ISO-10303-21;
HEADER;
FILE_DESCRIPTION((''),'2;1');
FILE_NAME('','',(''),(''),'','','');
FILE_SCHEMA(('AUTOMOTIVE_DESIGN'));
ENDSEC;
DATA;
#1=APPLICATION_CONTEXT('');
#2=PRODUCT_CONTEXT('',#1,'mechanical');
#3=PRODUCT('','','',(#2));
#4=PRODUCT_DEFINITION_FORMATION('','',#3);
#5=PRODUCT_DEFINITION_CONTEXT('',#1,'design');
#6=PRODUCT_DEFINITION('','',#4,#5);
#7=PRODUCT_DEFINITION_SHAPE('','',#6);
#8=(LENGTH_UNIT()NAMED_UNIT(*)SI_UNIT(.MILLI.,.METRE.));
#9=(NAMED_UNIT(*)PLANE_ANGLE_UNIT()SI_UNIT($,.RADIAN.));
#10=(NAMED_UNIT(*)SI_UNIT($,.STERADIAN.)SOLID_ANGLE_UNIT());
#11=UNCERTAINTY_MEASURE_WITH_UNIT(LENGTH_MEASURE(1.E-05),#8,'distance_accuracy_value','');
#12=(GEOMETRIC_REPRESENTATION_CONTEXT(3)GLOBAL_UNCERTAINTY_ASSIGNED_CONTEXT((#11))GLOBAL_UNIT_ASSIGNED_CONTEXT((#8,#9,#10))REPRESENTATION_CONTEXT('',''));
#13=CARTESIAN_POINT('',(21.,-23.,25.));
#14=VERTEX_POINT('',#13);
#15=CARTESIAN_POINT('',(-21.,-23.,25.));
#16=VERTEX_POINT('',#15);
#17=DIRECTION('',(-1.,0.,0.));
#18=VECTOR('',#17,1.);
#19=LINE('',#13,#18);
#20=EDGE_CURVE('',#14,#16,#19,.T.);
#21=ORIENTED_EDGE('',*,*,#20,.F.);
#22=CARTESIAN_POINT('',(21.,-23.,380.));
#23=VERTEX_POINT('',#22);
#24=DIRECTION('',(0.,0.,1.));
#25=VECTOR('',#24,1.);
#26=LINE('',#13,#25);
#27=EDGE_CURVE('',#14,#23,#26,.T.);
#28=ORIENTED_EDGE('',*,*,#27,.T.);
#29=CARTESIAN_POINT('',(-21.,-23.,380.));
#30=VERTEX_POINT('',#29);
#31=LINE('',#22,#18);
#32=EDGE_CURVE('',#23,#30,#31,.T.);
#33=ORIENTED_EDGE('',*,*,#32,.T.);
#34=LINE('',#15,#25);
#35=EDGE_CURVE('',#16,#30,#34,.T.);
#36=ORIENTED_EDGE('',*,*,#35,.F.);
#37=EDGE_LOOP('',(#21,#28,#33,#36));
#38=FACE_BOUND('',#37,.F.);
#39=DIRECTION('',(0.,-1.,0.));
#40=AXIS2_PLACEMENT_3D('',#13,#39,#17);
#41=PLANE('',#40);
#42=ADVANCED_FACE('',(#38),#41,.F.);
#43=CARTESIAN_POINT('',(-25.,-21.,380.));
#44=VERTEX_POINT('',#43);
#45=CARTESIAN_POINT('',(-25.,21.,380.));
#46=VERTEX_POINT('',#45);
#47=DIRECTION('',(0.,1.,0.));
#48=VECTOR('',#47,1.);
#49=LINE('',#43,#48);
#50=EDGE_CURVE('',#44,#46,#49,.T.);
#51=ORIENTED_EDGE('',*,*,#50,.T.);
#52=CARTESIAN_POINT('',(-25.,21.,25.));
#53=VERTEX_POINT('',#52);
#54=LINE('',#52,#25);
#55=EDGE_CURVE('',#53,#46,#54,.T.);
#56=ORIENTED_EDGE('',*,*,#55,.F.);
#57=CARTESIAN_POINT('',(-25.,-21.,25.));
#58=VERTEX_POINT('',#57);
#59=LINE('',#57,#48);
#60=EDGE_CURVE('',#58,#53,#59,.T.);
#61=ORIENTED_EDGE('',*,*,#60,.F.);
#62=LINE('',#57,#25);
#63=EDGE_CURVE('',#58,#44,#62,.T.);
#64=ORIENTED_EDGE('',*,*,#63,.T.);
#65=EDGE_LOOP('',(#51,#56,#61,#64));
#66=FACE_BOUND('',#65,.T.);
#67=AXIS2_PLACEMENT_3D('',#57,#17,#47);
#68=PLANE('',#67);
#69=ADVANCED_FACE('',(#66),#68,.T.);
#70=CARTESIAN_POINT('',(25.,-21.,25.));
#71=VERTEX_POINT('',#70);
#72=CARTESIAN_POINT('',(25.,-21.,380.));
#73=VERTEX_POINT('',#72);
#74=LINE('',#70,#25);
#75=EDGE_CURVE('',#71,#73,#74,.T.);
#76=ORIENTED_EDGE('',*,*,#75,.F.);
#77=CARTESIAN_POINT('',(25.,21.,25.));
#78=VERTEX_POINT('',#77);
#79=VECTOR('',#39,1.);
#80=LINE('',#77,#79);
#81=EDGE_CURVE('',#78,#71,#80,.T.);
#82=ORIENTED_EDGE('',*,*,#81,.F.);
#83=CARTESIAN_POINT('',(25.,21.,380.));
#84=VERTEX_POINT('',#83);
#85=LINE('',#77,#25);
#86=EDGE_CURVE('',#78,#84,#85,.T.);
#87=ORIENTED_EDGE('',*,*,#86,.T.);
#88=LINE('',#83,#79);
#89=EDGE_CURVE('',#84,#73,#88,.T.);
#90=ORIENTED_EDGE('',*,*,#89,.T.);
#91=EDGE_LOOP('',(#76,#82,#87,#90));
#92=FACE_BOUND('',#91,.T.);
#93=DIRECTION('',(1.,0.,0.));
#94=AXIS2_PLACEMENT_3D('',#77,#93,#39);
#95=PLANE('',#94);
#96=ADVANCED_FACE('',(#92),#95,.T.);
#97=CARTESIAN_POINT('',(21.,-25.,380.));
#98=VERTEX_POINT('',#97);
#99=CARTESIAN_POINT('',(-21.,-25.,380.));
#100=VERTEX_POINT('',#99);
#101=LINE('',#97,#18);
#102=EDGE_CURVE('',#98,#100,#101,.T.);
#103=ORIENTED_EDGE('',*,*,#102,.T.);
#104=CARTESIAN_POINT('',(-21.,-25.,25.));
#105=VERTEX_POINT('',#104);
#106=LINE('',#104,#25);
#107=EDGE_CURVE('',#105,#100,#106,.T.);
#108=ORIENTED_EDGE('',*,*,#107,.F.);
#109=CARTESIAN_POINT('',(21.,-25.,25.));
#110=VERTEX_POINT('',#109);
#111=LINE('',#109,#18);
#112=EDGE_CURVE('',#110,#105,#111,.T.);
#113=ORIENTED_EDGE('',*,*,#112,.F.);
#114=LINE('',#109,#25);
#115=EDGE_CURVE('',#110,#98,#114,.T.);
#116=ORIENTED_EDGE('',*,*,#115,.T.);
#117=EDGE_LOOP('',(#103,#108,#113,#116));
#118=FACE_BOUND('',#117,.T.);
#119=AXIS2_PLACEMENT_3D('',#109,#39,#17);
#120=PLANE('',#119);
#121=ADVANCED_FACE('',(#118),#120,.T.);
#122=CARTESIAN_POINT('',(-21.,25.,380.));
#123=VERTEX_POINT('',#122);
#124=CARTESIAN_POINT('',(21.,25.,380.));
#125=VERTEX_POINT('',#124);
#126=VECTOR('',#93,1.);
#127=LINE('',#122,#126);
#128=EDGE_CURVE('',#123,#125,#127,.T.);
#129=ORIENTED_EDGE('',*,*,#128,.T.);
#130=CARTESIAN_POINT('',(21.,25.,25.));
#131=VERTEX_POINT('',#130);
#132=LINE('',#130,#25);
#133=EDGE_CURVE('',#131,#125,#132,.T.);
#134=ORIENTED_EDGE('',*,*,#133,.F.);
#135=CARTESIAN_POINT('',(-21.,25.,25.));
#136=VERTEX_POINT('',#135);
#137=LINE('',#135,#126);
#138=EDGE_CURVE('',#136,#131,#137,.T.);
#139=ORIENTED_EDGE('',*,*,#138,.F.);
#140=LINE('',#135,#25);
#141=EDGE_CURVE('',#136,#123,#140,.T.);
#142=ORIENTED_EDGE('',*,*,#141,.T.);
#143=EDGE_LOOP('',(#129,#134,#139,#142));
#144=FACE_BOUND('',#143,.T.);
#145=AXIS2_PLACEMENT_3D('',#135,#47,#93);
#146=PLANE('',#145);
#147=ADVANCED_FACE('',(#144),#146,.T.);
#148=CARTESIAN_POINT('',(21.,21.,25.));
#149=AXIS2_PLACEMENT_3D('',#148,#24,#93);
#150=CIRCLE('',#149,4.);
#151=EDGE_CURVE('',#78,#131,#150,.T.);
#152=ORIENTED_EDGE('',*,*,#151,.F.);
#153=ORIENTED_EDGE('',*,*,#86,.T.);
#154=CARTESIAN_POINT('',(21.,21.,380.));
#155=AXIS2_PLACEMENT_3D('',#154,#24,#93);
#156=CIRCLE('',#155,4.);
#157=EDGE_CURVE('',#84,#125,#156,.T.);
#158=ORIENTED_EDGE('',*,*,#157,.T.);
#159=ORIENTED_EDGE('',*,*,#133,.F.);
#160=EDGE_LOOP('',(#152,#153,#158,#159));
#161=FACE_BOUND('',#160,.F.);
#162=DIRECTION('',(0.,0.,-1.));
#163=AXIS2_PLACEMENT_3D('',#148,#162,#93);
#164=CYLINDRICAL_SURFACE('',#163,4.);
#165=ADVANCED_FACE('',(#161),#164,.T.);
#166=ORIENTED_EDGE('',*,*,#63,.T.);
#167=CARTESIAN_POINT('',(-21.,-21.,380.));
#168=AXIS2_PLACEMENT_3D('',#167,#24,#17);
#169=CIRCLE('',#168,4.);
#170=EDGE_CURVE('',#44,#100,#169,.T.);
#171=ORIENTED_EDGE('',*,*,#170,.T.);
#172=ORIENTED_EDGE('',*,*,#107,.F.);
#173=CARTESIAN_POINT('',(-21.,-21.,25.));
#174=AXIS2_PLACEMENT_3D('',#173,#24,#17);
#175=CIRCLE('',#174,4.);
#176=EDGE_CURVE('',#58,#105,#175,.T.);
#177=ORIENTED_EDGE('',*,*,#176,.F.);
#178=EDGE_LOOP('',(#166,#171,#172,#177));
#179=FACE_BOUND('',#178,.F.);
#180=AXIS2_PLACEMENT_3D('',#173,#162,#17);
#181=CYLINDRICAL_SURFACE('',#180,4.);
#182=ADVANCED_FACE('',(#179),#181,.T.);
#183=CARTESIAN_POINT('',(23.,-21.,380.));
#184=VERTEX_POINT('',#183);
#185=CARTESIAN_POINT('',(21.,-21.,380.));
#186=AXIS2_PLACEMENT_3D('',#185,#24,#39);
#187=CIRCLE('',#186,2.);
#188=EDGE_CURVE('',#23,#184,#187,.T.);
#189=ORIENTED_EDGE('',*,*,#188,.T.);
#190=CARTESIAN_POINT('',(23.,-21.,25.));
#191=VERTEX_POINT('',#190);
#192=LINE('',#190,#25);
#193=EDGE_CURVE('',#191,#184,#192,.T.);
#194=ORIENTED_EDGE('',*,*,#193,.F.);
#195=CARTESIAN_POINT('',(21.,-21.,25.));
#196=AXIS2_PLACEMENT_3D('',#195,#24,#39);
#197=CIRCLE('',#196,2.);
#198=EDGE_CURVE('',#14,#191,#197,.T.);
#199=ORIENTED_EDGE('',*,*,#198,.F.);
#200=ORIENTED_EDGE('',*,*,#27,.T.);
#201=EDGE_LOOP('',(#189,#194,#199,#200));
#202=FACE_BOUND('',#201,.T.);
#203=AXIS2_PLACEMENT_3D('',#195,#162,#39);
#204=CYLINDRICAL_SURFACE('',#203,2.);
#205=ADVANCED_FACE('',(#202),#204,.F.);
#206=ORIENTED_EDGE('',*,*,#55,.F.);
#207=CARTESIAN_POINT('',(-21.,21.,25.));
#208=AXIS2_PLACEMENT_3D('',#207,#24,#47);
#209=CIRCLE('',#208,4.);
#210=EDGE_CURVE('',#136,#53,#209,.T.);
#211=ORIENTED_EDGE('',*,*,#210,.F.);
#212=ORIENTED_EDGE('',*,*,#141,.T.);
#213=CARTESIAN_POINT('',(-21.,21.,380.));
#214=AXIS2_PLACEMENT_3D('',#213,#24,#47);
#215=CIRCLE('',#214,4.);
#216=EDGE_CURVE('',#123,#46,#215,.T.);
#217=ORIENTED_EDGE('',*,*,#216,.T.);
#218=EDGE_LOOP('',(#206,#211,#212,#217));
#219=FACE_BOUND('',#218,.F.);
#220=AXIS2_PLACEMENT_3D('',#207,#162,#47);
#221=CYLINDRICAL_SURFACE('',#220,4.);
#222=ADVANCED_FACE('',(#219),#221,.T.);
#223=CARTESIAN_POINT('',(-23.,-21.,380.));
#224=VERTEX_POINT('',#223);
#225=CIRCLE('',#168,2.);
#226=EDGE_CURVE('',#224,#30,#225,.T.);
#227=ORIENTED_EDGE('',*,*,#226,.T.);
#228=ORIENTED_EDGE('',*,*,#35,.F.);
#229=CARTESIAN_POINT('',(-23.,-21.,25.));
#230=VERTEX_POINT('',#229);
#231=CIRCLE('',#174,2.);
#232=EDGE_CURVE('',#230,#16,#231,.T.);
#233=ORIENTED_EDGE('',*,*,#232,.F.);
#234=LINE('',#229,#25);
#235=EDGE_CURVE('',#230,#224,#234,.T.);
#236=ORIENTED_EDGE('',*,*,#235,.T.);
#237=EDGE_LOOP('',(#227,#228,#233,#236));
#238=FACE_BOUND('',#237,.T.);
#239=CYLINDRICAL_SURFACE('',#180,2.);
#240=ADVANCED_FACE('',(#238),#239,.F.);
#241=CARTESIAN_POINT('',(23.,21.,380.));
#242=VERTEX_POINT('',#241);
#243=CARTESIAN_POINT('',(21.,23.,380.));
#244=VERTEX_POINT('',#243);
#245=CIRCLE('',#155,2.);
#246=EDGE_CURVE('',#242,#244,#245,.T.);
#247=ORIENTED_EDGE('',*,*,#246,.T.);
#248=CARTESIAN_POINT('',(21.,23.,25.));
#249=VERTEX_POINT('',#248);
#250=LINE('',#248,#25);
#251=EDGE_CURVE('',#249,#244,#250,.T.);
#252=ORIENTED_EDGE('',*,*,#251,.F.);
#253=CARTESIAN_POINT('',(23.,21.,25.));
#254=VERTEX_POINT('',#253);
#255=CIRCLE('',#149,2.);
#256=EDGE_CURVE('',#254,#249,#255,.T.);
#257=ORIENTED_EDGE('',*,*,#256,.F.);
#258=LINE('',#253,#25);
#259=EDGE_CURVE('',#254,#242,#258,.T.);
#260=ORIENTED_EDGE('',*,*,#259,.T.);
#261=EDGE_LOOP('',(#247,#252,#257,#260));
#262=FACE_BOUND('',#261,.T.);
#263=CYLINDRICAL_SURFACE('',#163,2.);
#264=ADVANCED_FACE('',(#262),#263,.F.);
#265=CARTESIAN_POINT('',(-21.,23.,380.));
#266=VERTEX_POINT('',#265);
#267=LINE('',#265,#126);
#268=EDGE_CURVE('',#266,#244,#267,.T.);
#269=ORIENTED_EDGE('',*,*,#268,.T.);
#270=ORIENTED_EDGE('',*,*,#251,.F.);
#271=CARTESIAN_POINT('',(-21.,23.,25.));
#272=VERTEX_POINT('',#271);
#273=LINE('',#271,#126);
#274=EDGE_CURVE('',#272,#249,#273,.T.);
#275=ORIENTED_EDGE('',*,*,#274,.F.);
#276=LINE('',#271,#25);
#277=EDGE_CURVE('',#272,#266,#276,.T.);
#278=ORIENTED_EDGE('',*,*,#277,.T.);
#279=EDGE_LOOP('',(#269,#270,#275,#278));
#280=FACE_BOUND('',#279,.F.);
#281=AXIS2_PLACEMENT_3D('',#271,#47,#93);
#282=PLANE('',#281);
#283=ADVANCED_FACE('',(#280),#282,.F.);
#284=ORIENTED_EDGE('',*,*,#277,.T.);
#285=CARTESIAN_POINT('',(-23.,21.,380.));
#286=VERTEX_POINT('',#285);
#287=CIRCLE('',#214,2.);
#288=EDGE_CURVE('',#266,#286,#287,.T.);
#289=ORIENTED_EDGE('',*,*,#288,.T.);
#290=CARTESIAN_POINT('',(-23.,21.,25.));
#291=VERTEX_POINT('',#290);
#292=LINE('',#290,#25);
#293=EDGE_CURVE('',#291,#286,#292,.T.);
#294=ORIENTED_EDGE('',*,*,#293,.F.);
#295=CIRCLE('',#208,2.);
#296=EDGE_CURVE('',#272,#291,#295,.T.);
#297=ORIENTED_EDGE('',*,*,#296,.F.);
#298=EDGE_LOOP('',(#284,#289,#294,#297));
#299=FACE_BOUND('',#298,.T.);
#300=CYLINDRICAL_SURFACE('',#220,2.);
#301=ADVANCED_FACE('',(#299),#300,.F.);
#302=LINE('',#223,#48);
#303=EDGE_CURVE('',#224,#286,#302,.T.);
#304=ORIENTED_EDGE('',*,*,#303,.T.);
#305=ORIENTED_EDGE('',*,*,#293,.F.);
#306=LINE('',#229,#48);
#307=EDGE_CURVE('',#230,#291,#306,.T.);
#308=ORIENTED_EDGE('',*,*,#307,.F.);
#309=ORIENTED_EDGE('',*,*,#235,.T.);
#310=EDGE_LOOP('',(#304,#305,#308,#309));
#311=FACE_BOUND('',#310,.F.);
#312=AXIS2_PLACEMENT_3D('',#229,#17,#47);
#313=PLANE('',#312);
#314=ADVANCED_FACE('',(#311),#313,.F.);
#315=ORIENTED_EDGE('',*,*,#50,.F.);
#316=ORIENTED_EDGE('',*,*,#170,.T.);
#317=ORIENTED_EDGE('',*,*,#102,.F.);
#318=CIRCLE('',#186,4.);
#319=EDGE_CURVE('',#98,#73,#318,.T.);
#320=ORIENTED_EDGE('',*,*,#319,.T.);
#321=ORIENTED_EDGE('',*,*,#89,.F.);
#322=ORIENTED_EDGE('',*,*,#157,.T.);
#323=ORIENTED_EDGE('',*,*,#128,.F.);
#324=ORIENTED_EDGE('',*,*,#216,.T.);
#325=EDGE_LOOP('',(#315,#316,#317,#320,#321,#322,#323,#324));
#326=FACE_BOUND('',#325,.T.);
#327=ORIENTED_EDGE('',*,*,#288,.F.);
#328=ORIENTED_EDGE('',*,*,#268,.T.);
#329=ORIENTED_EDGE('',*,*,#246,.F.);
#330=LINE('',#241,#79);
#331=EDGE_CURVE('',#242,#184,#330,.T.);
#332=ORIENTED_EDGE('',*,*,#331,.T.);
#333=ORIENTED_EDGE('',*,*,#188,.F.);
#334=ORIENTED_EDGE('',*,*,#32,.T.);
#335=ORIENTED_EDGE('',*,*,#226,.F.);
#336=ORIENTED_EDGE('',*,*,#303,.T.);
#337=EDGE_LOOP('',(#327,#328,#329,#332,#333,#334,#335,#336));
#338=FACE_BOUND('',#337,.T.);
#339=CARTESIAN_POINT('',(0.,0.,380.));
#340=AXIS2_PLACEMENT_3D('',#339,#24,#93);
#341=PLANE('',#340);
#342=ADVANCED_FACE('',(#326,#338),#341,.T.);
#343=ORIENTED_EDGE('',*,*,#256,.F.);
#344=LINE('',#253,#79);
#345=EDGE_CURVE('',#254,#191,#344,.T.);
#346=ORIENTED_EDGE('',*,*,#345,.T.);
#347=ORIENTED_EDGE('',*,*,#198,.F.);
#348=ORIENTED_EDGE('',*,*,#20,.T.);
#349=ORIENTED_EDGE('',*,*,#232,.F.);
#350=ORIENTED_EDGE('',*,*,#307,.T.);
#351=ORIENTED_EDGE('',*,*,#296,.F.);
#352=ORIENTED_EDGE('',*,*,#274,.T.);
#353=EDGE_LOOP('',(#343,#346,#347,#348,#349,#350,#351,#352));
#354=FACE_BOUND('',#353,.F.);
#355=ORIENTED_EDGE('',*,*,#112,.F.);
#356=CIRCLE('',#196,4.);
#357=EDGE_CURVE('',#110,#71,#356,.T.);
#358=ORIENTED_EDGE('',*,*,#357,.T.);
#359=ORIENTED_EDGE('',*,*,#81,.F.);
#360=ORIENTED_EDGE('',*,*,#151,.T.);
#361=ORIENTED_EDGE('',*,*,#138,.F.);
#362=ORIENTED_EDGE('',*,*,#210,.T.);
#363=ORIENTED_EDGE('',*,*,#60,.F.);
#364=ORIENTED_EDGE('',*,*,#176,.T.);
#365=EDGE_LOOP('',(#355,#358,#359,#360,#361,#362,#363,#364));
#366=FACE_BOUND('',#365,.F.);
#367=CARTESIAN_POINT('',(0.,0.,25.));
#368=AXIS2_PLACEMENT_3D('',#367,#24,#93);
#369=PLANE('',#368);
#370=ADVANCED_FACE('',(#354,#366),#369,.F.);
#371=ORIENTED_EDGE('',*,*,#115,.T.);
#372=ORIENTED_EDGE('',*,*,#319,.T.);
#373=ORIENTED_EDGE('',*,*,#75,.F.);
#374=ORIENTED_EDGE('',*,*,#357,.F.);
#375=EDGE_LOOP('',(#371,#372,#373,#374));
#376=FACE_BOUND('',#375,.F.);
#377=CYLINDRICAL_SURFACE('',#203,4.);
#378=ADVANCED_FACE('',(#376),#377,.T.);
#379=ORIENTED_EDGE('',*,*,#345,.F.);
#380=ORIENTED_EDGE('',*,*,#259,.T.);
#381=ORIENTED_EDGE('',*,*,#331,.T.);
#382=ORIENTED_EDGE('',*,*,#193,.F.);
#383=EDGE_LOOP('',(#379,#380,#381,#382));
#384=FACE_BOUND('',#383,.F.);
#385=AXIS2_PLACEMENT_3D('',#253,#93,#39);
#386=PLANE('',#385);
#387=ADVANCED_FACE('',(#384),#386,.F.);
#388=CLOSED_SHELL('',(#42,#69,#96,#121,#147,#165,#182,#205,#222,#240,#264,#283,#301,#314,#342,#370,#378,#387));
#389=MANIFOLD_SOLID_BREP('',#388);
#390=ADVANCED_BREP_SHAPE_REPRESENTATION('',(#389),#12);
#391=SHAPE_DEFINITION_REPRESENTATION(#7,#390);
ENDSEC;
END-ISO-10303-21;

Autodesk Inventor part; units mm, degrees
ref_plane "Plano inicial" through (0, 0, 25) normal (0, 0, 1) x (1, 0, 0)
ref_plane "Plano final" through (0, 0, 380) normal (0, 0, 1) x (1, 0, 0)
sketch "Boceto" plane through (0, 0, 0) normal (0, 0, 1) x (1, 0, 0)
  line L0 (-25, -21) -> (-25, 21)
  line L1 (-21, 25) -> (21, 25)
  line L2 (25, 21) -> (25, -21)
  line L3 (21, -25) -> (-21, -25)
  arc A0 (-25, -21) -> (-21, -25) centre (-21, -21) ccw
  arc A1 (25, 21) -> (21, 25) centre (21, 21) ccw
  arc A2 (-21, 25) -> (-25, 21) centre (-21, 21) ccw
  arc A3 (21, -25) -> (25, -21) centre (21, -21) ccw
  arc A4 (-21, 23) -> (-23, 21) centre (-21, 21) ccw
  line L4 (-21, 23) -> (21, 23)
  arc A5 (23, 21) -> (21, 23) centre (21, 21) ccw
  line L5 (23, 21) -> (23, -21)
  arc A6 (21, -23) -> (23, -21) centre (21, -21) ccw
  line L6 (21, -23) -> (-21, -23)
  arc A7 (-23, -21) -> (-21, -23) centre (-21, -21) ccw
  line L7 (-23, -21) -> (-23, 21)
  line L8 (0, 36.1598) -> (0, -36.1598) construction
  line L9 (-36.1598, 0) -> (36.1598, 0) construction
  dimension "d7" = 4
  dimension "d9" = 50
  dimension "d11" = 50
  dimension "d12" = 2
  dimension "d15" = 25
  dimension "d16" = 25
extrude "Cuerpo" add sketch "Boceto" along normal up to surface (355 mm away) from surface at 25
sketch "Sketch3" plane through (0, 0, 0) normal (0, 0, 1) x (1, 0, 0)
  line L0 (0, 0) -> (10, 0)
ref_plane "Work Plane3" through (0, 0, 0) normal (0, -1, 0) x (1, 0, 0)
sketch "Sketch4" plane through (0, 0, 0) normal (0, -1, 0) x (1, 0, 0)
  line L0 (-2, 25) -> (12, 25)
  line L1 (-2, 380) -> (12, 380)
  dimension "d18" = 355
ref_plane "Plano de trabajo4" through (-350.06, 21, 380) normal (0, 0, 1) x (1, 0, 0)
split "Dividir1" plane through (-350.06, 21, 380) removes the side toward (0, 0, 1)
ref_plane "Plano de trabajo5" through (149.94, 21, 25) normal (0, 0, -1) x (-1, 0, 0)
split "Dividir2" plane through (149.94, 21, 25) removes the side toward (0, 0, -1)
equation "\"d7\" = G_IR"
equation "\"d9\" = G_W"
equation "\"d11\" = G_H"
equation "\"d12\" = G_T"
equation "\"d15\" = 0.5 * d9"
equation "\"d16\" = 0.5 * d11"
equation "\"d3\" = G_L"
equation "\"G_W\" = 50"
equation "\"G_H\" = 50"
equation "\"G_T\" = 2"
equation "\"G_IR\" = 4"
equation "\"G_L\" = d18"
equation "\"G_OFFSET_START\" = -25"
equation "\"G_OFFSET_END\" = -25"
equation "\"d13\" = -G_OFFSET_START"
equation "\"B_L\" = 405"
properties part number "ISO 10799-2 - 50x50x2 - 355" material "Galvanizado catalogo 1"
